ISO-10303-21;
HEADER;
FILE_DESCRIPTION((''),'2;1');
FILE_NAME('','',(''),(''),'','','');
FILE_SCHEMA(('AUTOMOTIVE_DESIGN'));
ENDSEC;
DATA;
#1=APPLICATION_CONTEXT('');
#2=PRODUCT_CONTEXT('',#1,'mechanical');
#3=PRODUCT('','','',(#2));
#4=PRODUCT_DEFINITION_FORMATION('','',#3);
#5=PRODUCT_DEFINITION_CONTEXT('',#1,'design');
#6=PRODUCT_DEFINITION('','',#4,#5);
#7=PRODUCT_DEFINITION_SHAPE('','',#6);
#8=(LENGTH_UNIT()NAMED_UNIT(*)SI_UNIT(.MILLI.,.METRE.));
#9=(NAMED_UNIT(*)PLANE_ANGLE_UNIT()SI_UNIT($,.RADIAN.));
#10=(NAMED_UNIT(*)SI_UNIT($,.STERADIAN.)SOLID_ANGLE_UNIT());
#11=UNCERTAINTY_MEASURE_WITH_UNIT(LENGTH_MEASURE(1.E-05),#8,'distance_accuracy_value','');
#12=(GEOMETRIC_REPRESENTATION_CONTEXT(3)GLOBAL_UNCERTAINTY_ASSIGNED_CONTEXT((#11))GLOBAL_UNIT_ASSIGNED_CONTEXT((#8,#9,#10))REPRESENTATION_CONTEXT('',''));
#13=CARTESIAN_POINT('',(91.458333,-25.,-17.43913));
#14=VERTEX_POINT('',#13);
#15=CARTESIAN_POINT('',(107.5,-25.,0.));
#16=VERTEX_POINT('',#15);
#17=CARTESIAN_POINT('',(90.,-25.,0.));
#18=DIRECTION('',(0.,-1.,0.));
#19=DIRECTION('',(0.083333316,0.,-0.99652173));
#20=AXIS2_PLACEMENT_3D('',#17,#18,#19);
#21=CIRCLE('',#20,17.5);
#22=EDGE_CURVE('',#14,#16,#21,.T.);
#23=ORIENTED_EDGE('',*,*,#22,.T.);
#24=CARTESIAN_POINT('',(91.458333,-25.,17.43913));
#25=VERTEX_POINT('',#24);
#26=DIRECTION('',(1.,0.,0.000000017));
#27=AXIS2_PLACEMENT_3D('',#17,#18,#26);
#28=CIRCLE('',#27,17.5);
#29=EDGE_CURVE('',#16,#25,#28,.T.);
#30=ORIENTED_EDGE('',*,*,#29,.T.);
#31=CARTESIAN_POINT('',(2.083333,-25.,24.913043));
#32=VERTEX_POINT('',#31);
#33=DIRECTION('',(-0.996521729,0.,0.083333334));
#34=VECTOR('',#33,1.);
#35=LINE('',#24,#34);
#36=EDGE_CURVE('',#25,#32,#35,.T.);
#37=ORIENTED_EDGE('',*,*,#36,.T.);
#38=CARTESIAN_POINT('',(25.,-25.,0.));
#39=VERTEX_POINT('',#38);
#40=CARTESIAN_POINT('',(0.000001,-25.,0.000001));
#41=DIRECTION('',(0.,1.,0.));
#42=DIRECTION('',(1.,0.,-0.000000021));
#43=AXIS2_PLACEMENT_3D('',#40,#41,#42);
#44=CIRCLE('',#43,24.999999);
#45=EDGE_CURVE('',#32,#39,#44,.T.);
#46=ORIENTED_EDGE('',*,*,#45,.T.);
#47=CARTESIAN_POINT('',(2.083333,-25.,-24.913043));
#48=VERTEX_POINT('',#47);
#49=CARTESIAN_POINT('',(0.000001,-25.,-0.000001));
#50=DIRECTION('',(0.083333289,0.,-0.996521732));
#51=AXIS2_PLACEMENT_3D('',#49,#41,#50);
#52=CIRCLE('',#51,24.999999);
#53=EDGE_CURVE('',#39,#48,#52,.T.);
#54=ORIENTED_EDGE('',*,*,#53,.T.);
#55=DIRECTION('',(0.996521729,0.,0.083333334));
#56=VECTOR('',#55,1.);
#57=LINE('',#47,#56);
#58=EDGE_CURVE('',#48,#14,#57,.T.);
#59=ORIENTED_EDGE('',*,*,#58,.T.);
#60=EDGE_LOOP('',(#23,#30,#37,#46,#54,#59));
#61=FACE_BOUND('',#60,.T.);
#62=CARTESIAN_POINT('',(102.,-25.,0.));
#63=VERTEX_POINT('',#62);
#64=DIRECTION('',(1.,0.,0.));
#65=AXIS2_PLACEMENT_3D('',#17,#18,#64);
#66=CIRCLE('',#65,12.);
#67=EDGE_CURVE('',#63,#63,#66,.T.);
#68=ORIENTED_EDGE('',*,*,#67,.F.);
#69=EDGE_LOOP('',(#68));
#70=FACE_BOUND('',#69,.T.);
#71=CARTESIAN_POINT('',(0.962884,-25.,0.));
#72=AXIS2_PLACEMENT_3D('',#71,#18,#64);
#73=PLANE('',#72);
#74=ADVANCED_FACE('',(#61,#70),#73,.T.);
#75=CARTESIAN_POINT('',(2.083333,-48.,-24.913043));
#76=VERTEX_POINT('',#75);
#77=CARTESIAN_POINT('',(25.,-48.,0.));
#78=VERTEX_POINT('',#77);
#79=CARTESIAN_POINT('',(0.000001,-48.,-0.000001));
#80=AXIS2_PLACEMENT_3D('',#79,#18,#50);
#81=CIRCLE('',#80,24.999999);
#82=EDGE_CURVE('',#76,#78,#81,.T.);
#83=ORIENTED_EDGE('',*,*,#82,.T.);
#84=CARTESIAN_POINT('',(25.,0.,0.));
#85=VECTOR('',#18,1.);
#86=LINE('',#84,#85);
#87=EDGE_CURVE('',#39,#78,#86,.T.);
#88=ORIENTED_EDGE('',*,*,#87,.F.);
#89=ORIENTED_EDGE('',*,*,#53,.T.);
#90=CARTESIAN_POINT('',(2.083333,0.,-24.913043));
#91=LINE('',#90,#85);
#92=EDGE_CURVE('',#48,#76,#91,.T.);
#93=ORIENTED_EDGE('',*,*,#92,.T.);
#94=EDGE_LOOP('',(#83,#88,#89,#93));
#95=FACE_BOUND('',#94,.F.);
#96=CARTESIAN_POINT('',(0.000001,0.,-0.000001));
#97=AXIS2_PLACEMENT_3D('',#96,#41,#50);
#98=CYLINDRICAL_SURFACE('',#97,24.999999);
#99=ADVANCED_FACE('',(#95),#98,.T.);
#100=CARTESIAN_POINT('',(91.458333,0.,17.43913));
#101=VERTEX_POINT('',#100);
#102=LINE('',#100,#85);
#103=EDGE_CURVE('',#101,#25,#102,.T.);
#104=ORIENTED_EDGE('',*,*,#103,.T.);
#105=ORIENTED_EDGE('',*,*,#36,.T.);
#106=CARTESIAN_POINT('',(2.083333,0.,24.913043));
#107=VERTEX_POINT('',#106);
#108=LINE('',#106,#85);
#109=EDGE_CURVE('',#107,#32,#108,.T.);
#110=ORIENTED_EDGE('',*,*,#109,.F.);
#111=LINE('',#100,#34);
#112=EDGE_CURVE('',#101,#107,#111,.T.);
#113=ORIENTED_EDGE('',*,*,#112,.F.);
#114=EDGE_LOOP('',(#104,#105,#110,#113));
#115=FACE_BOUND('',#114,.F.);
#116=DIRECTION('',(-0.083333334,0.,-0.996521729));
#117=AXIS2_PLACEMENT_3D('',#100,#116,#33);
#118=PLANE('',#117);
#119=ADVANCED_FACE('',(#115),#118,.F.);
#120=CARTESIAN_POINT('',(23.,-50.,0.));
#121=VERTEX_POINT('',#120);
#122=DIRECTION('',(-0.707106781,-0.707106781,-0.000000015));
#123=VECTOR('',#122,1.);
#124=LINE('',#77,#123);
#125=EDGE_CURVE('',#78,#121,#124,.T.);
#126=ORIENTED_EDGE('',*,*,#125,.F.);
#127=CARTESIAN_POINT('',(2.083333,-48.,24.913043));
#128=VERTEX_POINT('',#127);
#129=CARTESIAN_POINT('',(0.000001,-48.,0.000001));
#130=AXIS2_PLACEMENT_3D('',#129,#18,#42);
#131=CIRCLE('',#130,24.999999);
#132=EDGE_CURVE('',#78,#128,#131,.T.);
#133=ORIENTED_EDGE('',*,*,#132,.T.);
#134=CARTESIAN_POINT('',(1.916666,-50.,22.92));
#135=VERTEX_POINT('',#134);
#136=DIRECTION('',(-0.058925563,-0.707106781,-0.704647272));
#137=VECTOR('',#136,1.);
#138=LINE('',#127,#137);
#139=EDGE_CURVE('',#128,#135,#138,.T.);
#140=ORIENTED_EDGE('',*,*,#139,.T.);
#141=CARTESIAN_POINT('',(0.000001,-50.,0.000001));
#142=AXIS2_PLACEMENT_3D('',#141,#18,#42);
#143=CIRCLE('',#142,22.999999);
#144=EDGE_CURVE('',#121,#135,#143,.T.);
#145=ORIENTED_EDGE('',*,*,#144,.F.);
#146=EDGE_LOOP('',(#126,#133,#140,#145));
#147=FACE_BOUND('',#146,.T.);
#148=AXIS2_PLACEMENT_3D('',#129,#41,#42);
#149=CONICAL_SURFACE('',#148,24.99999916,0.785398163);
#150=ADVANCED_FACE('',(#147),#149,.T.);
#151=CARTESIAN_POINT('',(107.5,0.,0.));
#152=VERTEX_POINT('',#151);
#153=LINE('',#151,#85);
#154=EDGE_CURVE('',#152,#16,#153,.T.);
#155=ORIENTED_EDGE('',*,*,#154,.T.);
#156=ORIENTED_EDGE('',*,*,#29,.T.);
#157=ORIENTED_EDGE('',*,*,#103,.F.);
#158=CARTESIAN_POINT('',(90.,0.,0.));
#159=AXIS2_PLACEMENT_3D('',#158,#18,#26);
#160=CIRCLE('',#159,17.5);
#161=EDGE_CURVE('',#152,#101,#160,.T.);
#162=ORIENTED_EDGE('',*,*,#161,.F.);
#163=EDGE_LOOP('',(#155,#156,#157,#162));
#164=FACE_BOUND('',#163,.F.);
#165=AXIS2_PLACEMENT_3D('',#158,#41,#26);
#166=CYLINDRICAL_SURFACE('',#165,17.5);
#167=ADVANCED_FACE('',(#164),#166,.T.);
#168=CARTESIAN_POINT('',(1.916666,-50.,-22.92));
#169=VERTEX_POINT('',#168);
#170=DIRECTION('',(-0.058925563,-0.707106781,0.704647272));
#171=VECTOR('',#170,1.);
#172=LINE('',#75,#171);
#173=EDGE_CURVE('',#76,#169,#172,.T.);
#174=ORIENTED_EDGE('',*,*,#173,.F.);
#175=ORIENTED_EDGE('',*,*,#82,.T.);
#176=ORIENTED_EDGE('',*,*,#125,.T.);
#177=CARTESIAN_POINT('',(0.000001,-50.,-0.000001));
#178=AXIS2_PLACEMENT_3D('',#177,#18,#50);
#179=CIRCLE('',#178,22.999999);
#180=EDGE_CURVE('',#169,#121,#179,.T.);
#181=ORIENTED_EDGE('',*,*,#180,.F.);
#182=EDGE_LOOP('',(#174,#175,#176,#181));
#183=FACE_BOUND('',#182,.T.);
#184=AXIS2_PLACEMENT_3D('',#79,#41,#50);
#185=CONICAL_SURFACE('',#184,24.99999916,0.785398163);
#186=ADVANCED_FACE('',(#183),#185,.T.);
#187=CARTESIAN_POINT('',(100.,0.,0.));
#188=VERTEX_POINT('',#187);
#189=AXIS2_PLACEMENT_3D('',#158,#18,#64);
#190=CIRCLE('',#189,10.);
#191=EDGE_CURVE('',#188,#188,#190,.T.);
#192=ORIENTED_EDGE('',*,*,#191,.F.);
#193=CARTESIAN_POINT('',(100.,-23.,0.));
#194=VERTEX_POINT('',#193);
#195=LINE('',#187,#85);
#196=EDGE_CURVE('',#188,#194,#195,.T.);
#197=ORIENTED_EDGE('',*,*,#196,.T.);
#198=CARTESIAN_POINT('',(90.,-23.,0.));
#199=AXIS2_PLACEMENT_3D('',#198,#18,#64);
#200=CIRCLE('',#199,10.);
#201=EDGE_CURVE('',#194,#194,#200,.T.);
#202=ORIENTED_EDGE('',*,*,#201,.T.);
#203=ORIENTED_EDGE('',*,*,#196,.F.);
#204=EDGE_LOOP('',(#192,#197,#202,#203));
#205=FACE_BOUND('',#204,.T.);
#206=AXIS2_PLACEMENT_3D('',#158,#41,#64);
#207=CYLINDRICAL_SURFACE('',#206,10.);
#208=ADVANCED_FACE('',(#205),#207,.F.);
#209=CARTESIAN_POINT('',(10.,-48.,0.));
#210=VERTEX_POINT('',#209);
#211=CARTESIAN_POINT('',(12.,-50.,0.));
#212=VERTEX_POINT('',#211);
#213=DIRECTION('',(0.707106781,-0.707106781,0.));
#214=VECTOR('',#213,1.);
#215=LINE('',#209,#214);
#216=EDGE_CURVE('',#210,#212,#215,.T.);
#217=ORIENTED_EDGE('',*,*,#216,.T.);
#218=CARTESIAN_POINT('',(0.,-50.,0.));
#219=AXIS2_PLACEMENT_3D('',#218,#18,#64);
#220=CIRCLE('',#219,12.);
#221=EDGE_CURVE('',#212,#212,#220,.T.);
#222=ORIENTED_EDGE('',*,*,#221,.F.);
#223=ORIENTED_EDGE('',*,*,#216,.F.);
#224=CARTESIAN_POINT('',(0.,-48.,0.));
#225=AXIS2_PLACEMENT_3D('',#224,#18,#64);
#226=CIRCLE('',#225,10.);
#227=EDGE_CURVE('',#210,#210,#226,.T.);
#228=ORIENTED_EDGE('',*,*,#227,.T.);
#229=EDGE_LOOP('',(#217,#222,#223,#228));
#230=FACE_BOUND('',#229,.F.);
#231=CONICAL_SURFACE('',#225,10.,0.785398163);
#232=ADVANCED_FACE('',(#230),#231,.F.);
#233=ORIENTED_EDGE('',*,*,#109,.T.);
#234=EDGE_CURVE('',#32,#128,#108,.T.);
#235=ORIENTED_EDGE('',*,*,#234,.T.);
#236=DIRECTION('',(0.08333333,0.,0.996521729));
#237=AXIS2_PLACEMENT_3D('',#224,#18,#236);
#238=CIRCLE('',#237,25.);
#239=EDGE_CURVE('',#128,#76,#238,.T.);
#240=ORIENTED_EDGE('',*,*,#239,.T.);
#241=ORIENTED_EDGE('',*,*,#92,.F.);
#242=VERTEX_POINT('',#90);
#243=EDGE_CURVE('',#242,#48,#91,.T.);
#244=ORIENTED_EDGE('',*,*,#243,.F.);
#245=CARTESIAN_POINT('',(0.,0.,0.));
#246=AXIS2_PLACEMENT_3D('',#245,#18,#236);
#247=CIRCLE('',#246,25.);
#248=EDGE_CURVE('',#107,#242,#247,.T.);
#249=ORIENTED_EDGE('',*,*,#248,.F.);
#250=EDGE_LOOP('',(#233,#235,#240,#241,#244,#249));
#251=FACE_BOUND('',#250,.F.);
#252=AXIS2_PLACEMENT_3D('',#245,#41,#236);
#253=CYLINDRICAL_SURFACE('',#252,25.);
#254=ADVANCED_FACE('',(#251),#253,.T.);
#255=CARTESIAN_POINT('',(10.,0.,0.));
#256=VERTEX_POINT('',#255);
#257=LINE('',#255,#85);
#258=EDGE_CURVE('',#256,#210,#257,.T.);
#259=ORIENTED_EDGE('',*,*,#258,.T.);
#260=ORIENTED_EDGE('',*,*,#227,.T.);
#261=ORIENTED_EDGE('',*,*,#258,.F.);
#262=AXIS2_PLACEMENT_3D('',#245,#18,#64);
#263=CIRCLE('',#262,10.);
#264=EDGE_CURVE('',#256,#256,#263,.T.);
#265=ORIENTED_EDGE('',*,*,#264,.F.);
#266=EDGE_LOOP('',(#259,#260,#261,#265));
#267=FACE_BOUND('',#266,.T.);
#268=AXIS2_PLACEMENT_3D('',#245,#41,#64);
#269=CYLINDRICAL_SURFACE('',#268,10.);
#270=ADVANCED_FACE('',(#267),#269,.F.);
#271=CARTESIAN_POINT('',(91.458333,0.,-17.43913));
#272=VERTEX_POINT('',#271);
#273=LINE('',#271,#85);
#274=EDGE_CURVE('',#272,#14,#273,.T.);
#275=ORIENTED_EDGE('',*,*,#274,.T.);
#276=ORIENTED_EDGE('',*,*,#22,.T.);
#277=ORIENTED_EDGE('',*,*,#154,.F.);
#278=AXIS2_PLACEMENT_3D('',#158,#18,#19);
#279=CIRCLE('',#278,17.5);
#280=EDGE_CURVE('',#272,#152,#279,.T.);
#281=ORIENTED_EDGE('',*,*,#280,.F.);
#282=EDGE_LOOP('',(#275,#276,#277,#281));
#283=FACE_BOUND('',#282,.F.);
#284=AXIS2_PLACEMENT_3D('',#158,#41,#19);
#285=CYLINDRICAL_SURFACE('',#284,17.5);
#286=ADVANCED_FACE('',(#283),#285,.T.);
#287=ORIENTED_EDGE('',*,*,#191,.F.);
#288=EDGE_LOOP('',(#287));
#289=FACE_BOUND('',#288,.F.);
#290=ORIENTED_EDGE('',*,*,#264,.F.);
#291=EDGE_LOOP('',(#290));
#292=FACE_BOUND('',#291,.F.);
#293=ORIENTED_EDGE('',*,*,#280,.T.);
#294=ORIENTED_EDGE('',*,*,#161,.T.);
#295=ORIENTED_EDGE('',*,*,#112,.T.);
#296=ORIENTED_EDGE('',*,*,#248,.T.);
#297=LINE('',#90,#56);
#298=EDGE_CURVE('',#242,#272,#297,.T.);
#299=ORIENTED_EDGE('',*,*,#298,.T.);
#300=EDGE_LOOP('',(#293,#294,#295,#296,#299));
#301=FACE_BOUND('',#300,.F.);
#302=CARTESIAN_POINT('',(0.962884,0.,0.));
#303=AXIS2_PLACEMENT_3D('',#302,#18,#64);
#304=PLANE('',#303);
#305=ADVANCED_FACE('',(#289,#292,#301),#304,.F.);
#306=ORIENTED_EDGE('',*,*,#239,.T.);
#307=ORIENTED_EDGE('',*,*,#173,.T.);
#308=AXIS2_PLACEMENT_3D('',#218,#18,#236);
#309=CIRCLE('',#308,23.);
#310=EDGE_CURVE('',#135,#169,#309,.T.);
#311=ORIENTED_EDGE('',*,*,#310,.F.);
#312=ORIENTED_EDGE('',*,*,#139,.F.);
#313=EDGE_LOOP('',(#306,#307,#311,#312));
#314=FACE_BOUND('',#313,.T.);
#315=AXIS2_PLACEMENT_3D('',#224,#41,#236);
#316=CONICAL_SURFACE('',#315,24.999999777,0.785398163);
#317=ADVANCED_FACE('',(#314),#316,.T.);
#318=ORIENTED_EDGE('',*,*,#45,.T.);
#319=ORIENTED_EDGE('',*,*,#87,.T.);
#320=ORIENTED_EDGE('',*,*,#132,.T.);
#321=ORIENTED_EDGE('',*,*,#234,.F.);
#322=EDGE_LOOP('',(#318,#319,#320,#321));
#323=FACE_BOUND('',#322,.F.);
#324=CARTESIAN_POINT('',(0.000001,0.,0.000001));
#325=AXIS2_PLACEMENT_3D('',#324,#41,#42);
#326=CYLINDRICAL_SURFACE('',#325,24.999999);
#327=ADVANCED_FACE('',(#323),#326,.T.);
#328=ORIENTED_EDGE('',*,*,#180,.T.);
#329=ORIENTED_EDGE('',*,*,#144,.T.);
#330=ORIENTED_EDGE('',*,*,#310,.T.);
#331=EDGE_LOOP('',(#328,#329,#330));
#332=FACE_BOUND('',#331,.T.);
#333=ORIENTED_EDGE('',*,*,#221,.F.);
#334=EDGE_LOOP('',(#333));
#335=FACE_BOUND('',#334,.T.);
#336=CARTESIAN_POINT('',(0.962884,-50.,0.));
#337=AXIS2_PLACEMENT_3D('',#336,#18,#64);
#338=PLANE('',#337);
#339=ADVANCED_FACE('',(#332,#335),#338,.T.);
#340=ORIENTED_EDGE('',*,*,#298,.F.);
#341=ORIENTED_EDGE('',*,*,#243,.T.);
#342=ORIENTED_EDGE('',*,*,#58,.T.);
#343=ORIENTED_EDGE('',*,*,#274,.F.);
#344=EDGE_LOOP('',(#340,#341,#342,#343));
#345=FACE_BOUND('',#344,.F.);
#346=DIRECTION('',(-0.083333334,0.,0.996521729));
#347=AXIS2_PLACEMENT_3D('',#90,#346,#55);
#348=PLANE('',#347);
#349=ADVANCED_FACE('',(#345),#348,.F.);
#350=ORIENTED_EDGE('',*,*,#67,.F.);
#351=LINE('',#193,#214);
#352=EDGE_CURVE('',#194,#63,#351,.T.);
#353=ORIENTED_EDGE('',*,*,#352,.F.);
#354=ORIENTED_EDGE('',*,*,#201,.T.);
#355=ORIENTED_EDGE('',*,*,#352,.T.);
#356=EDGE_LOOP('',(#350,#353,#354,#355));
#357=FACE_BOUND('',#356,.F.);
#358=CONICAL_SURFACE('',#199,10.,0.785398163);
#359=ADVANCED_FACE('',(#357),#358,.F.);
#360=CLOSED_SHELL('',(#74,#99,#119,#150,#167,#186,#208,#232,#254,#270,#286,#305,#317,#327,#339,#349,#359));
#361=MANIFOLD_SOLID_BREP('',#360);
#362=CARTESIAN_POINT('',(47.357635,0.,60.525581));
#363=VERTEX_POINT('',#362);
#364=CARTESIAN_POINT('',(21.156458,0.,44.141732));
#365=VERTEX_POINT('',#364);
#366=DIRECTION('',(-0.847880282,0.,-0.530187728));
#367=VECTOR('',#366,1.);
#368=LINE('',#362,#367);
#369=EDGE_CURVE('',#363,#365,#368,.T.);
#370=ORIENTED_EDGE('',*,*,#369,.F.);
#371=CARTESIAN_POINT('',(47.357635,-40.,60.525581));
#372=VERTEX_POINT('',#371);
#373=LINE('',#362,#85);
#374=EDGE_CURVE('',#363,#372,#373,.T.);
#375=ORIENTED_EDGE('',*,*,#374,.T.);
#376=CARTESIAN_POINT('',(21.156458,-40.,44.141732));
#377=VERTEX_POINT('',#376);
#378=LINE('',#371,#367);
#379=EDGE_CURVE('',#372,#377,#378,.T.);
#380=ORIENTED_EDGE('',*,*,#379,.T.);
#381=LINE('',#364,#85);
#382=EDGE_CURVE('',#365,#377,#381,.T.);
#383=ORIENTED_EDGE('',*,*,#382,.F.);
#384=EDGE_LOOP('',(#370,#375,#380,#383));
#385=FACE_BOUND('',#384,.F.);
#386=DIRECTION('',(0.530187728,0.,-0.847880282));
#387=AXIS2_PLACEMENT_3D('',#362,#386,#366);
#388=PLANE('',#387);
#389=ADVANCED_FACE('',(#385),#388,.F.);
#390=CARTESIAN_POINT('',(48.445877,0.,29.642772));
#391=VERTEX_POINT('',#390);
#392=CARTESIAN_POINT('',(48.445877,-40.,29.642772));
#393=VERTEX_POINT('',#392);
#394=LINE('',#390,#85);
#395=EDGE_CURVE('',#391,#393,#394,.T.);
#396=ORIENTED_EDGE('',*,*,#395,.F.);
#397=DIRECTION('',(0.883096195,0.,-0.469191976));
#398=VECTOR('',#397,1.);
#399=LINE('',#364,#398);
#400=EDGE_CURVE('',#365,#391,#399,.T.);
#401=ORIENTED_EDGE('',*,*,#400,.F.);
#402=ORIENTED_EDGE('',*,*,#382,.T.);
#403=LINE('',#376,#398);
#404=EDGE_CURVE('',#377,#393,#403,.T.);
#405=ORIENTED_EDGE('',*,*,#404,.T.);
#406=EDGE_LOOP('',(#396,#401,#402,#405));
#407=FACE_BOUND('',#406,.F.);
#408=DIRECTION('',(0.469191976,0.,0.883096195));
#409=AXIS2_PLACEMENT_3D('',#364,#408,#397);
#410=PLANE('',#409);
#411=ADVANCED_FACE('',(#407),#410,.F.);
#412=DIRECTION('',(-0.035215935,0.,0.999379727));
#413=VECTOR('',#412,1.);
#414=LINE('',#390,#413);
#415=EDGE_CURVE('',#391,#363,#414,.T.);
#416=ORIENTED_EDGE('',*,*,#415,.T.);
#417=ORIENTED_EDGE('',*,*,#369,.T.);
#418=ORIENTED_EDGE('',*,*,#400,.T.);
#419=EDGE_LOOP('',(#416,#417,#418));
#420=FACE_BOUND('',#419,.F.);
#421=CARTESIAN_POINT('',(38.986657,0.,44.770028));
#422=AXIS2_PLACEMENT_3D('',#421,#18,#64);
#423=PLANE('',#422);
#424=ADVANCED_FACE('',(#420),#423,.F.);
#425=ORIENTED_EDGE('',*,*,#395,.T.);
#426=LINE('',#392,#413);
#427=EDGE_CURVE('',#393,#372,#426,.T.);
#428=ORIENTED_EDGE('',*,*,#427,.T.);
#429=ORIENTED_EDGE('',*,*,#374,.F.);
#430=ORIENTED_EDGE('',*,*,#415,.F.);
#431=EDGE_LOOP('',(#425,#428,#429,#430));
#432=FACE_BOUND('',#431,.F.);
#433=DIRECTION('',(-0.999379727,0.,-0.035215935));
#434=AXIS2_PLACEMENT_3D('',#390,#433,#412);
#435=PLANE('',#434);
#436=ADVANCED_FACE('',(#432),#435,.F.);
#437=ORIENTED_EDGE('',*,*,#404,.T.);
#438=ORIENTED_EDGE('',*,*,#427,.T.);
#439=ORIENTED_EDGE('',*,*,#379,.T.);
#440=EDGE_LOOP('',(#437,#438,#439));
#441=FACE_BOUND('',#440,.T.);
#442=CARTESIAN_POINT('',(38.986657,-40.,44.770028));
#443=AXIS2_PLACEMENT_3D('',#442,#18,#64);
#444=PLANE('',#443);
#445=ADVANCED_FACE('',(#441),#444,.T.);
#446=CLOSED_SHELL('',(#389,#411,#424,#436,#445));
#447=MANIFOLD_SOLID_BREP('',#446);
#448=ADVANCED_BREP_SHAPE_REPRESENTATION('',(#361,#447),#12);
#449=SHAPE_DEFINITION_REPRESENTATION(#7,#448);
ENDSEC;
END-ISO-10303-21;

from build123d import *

# Parameters (mm, degrees)
F0_R     = 10
F1_DEPTH = 25
F2_DEPTH = 50
F3_SIZE  = 2
F5_DEPTH = 40


with BuildPart() as f1:
    # F0 (on Front) → F1 (new body)
    with BuildSketch(Plane.XZ):
        with BuildLine():
            ThreePointArc((2.083333, -24.913043), (18.399502, -16.92508), (25, 0))
            ThreePointArc((25, 0), (18.399502, 16.92508), (2.083333, 24.913043))
            ThreePointArc((2.083333, 24.913043), (-25, 0), (2.083333, -24.913043))
        make_face()
        Circle(F0_R, mode=Mode.SUBTRACT)
        with BuildLine():
            ThreePointArc((2.083333, 24.913043), (18.399502, 16.92508), (25, 0))
            ThreePointArc((25, 0), (18.399502, -16.92508), (2.083333, -24.913043))
            Line((2.083333, -24.913043), (91.458333, -17.43913))
            ThreePointArc((91.458333, -17.43913), (72.5, 0), (91.458333, 17.43913))
            Line((91.458333, 17.43913), (2.083333, 24.913043))
        make_face()
        with BuildLine():
            ThreePointArc((107.5, 0), (102.879651, 11.847556), (91.458333, 17.43913))
            ThreePointArc((91.458333, 17.43913), (72.5, 0), (91.458333, -17.43913))
            ThreePointArc((91.458333, -17.43913), (102.879651, -11.847556), (107.5, 0))
        make_face()
        with Locations((90, 0)):
            Circle(F0_R, mode=Mode.SUBTRACT)
    extrude(amount=F1_DEPTH)

    # F0 (on Front) → F2 (join)
    with BuildSketch(Plane.XZ):
        with BuildLine():
            ThreePointArc((2.083333, -24.913043), (18.399502, -16.92508), (25, 0))
            ThreePointArc((25, 0), (18.399502, 16.92508), (2.083333, 24.913043))
            ThreePointArc((2.083333, 24.913043), (-25, 0), (2.083333, -24.913043))
        make_face()
        Circle(F0_R, mode=Mode.SUBTRACT)
    extrude(amount=F2_DEPTH)

    # F3
    f3_edges = [f1.edges().sort_by_distance(p)[0] for p in [
        (-2.083333, -50, 24.913043),
        (-10, -50, 0),
        (80, -25, 0),
    ]]
    chamfer(f3_edges, length=F3_SIZE)


with BuildPart() as f5:
    # F4 (on Front) → F5 (new body)
    with BuildSketch(Plane.XZ):
        Polygon((21.156458, 44.141732), (48.445877, 29.642772), (47.357635, 60.525581), align=None)
    extrude(amount=F5_DEPTH)


solid = Compound([f1.part, f5.part])
